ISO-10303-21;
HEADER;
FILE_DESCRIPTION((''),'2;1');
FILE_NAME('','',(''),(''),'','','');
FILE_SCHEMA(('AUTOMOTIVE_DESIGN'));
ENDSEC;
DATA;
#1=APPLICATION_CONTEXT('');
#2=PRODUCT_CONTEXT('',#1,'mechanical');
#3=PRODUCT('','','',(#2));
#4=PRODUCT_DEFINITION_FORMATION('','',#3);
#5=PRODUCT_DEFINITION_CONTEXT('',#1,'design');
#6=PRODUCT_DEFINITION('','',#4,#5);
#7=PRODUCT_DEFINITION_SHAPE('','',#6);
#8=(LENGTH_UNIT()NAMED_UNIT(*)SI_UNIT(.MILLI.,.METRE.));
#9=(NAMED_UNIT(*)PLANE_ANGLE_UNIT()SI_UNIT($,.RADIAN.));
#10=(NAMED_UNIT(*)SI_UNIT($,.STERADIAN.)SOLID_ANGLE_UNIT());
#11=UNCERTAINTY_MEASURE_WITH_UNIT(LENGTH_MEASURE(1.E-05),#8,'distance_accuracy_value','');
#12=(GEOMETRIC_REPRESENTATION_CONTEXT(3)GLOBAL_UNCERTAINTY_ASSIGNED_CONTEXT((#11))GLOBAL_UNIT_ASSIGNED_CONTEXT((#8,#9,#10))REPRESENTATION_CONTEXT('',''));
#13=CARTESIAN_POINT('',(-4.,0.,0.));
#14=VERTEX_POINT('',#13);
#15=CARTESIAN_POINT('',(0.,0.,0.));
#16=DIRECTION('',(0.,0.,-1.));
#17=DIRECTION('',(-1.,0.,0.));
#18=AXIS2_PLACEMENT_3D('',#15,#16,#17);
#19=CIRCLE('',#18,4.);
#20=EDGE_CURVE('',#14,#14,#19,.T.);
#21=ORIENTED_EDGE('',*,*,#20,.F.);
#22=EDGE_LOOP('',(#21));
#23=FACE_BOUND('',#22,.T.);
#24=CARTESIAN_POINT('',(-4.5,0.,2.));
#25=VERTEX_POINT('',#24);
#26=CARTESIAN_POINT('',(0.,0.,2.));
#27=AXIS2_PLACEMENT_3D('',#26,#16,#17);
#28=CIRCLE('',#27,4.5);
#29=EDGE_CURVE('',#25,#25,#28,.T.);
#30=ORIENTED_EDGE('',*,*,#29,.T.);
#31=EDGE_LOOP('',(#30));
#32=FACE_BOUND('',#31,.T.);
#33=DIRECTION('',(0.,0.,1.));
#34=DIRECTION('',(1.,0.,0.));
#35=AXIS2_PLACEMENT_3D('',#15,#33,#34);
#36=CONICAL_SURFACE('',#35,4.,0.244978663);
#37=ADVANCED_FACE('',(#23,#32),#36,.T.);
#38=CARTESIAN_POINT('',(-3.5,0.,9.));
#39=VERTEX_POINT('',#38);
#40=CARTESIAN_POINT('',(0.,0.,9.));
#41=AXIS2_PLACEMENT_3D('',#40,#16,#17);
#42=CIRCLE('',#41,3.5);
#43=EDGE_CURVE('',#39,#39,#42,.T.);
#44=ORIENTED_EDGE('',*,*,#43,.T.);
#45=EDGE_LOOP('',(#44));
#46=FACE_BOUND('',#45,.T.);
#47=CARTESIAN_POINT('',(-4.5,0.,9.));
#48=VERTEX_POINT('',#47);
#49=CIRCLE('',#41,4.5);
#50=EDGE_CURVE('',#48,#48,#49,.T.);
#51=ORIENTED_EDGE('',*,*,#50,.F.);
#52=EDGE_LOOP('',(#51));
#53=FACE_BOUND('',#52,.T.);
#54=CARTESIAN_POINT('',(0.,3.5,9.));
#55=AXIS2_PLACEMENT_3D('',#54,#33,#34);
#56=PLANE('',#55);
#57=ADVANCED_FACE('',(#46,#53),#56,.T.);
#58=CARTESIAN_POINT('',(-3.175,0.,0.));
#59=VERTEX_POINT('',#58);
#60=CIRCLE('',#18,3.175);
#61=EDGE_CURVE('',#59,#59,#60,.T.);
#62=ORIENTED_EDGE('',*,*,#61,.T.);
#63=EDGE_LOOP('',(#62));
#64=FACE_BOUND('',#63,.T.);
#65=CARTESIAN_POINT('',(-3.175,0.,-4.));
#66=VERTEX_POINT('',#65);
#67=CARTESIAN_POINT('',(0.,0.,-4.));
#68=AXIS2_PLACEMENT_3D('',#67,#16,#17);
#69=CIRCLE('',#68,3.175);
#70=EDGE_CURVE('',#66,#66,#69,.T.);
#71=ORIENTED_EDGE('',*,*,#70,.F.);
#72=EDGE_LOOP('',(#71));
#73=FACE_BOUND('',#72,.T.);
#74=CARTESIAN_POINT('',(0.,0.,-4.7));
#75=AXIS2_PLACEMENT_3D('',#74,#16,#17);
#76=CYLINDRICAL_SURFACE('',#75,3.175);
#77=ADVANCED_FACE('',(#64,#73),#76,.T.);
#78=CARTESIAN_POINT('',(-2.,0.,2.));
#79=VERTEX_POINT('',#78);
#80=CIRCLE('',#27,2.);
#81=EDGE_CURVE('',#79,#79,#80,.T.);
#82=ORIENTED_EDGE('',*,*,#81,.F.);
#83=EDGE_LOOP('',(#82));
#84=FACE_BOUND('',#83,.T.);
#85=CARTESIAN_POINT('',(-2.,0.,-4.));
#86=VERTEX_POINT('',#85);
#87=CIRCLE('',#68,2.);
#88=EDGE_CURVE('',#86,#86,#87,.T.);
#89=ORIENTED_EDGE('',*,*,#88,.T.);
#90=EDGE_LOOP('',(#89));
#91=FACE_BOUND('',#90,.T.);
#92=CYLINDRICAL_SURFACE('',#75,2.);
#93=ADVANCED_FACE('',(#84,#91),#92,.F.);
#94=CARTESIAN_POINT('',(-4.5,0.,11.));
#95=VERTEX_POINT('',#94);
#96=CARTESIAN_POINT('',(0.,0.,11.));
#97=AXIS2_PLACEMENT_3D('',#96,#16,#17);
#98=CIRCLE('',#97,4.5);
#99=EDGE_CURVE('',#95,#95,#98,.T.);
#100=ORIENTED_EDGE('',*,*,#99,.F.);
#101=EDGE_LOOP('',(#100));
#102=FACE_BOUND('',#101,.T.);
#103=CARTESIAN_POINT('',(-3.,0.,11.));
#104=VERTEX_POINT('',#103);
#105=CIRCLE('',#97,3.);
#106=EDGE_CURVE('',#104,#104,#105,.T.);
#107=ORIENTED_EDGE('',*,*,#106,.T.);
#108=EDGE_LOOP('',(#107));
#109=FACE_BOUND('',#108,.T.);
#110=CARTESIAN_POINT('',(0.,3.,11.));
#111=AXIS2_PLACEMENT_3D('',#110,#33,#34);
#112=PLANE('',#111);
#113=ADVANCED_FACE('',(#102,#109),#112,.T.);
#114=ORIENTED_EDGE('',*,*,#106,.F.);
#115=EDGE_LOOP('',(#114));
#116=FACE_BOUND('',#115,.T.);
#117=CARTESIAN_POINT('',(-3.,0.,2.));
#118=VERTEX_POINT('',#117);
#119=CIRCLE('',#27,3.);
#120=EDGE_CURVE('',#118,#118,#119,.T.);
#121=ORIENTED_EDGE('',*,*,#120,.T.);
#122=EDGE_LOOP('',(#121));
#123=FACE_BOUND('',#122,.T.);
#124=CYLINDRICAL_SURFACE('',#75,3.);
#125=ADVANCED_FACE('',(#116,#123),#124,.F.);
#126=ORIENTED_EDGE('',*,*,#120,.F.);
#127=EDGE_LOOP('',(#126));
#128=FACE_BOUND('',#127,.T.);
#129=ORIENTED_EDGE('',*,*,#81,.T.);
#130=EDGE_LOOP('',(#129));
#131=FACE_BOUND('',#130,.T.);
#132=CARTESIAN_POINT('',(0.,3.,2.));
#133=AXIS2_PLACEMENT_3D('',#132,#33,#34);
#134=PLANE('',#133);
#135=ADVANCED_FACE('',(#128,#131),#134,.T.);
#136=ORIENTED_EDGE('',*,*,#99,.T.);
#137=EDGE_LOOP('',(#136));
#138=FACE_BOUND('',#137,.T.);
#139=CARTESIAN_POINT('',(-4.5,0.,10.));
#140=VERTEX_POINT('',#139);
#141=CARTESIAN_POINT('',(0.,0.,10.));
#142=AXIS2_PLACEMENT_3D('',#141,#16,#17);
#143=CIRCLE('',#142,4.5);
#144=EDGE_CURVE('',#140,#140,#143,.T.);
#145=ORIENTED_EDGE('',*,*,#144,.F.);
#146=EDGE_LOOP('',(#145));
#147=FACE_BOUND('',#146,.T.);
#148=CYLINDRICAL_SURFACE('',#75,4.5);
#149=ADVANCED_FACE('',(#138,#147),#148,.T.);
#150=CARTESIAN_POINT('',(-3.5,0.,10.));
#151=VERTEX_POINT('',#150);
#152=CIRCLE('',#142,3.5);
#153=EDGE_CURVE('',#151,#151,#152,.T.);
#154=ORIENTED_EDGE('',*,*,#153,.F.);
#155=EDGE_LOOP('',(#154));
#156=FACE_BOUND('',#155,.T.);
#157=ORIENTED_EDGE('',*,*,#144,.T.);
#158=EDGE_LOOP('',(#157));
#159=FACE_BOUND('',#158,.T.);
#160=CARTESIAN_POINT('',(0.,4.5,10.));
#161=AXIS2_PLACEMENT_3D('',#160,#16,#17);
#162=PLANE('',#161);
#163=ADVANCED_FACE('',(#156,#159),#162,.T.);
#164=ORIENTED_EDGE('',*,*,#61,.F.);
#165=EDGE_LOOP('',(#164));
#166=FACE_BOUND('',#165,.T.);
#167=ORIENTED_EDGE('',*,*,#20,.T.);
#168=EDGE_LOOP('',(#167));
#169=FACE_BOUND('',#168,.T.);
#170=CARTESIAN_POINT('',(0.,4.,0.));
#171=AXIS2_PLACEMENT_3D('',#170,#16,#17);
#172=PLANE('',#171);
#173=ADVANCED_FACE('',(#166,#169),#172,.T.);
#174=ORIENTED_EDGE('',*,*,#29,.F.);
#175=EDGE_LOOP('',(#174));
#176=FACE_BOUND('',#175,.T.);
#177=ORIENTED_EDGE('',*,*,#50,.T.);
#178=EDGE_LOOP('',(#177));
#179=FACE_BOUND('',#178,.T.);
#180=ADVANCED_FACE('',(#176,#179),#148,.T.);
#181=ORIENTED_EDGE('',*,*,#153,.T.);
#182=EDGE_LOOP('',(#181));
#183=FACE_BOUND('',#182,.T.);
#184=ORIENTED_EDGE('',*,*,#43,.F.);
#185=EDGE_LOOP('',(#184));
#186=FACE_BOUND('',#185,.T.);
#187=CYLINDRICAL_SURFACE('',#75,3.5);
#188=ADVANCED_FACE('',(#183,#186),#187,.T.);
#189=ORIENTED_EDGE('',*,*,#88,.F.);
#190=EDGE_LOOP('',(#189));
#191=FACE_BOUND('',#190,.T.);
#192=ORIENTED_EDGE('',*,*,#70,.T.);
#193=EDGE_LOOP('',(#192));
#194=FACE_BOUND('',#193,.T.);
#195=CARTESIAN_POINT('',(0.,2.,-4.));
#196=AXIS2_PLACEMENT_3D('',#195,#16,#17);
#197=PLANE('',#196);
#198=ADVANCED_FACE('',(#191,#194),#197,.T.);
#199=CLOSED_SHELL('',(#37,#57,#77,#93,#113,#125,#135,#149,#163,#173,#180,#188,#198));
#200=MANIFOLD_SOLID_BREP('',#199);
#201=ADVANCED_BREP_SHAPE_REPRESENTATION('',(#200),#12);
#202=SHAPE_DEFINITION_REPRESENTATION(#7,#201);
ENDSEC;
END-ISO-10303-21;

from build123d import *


with BuildPart() as part:
    # Sketch2 → Revolve1 (revolve)
    with BuildSketch(Plane(origin=(0, 0, 0), x_dir=(0, 0, -1), z_dir=(1, 0, 0)), mode=Mode.PRIVATE) as revolve1_sk:
        Polygon((-2, 3), (-11, 3), (-11, 4.5), (-10, 4.5), (-10, 3.5), (-9, 3.5), (-9, 4.5), (-2, 4.5), (0, 4), (0, 3.175), (4, 3.175), (4, 2), (-2, 2), align=None)
    revolve(revolve1_sk.sketch.rotate(Axis((0, 0, -4.7), (0, 0, 1)), 90), axis=Axis((0, 0, -4.7), (0, 0, 1)))


solid = part.part
